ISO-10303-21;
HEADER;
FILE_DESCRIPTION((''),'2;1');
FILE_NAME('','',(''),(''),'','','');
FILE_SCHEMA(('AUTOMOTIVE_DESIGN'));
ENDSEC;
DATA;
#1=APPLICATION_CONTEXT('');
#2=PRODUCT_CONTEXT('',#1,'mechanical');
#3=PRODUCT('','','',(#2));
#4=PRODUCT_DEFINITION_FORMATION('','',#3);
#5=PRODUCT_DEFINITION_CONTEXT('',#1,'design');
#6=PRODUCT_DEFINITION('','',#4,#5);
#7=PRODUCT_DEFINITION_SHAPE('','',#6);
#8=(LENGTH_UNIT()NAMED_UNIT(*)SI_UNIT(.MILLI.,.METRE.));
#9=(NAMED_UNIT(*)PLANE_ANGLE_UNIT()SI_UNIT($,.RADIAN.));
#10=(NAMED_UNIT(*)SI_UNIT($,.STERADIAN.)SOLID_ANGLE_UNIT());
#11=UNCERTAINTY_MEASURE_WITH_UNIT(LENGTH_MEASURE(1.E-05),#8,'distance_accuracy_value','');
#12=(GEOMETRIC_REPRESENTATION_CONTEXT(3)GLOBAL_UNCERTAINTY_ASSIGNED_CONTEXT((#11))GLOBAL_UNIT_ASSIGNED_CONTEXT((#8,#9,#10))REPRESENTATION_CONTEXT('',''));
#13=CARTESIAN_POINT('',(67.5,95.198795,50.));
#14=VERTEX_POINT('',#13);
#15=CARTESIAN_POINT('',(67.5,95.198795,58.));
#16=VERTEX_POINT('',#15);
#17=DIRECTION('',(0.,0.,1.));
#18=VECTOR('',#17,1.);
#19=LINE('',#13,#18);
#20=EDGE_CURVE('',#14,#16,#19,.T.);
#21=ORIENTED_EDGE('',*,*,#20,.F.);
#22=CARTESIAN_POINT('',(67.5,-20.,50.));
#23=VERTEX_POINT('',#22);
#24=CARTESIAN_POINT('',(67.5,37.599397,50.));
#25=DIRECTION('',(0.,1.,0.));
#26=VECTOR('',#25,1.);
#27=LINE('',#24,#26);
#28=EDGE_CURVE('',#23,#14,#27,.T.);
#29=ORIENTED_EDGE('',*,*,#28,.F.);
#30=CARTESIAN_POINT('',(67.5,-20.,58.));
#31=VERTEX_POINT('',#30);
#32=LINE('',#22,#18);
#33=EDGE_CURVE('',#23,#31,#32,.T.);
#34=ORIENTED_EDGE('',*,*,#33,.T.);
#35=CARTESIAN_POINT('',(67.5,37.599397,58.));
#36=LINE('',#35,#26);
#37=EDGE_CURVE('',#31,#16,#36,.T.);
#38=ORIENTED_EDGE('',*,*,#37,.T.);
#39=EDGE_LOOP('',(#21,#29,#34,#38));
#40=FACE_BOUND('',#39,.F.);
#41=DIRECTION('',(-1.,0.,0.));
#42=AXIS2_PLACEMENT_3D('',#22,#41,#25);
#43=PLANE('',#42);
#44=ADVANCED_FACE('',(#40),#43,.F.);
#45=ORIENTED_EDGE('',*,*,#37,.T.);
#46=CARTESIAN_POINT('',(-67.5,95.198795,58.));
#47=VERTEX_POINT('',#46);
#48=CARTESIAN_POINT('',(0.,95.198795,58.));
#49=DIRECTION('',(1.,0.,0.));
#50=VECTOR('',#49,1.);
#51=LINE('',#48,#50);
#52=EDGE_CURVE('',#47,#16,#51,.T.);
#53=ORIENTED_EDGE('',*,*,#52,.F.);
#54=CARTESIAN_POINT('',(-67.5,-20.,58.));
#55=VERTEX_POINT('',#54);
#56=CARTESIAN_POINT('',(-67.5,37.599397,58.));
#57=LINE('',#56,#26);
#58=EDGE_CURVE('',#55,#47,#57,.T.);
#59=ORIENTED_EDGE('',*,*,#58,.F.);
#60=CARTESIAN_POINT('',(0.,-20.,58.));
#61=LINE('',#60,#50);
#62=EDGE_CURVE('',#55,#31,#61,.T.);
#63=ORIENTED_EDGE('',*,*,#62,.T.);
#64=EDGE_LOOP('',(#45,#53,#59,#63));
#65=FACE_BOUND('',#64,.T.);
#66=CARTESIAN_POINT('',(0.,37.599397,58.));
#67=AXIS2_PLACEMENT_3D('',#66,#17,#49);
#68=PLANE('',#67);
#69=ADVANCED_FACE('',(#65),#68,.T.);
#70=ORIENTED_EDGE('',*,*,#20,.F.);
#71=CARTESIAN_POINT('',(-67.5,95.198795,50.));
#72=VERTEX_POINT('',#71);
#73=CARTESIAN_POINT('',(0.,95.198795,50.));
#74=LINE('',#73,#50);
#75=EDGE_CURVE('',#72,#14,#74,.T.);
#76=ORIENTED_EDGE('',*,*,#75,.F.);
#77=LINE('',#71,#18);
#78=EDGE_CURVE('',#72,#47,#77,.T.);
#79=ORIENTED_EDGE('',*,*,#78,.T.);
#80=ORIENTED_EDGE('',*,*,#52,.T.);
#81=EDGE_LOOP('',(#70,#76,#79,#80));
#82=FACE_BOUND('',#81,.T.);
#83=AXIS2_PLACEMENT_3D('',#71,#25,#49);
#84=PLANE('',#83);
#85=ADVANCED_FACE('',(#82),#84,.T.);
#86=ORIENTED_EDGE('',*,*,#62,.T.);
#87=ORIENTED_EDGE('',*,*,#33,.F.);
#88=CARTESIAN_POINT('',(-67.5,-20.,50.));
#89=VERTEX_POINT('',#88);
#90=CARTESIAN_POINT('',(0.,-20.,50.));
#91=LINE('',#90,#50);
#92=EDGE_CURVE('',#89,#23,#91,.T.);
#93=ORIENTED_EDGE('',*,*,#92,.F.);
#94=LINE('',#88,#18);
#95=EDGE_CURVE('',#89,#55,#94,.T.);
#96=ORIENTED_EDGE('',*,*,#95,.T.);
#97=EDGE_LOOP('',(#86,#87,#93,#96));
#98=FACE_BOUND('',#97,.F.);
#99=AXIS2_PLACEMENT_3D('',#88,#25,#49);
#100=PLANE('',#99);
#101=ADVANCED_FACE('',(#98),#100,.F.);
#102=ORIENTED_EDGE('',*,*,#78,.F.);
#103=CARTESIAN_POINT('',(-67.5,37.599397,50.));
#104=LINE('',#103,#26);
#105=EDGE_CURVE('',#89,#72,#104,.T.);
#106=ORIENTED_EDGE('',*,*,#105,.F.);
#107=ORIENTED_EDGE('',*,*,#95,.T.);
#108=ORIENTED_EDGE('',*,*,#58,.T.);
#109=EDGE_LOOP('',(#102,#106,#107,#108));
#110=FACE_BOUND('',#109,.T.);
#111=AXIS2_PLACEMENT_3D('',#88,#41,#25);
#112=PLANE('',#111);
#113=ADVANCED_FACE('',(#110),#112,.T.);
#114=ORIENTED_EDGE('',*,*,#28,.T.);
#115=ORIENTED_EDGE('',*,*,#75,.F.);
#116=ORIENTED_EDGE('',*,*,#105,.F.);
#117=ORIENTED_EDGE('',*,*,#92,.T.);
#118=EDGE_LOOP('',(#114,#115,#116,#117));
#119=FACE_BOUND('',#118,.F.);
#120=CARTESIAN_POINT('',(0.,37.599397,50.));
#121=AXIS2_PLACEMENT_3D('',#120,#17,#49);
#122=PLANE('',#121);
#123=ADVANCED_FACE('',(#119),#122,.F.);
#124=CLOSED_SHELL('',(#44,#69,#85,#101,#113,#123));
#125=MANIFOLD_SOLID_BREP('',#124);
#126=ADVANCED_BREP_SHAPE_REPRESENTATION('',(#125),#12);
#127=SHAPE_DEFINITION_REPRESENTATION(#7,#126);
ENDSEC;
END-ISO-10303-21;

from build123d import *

# Parameters (mm, degrees)
BOSS_EXTRUDE1_START = 50
SKETCH1_W           = 135
SKETCH1_H           = 115.198794821
BOSS_EXTRUDE1_DEPTH = 8


with BuildPart() as part:
    # Sketch1 → Boss-Extrude1 (new body)
    with BuildSketch(Plane.XY.offset(BOSS_EXTRUDE1_START)):
        with Locations((0, 37.599397411)):
            Rectangle(SKETCH1_W, SKETCH1_H)
    extrude(amount=BOSS_EXTRUDE1_DEPTH)


solid = part.part
